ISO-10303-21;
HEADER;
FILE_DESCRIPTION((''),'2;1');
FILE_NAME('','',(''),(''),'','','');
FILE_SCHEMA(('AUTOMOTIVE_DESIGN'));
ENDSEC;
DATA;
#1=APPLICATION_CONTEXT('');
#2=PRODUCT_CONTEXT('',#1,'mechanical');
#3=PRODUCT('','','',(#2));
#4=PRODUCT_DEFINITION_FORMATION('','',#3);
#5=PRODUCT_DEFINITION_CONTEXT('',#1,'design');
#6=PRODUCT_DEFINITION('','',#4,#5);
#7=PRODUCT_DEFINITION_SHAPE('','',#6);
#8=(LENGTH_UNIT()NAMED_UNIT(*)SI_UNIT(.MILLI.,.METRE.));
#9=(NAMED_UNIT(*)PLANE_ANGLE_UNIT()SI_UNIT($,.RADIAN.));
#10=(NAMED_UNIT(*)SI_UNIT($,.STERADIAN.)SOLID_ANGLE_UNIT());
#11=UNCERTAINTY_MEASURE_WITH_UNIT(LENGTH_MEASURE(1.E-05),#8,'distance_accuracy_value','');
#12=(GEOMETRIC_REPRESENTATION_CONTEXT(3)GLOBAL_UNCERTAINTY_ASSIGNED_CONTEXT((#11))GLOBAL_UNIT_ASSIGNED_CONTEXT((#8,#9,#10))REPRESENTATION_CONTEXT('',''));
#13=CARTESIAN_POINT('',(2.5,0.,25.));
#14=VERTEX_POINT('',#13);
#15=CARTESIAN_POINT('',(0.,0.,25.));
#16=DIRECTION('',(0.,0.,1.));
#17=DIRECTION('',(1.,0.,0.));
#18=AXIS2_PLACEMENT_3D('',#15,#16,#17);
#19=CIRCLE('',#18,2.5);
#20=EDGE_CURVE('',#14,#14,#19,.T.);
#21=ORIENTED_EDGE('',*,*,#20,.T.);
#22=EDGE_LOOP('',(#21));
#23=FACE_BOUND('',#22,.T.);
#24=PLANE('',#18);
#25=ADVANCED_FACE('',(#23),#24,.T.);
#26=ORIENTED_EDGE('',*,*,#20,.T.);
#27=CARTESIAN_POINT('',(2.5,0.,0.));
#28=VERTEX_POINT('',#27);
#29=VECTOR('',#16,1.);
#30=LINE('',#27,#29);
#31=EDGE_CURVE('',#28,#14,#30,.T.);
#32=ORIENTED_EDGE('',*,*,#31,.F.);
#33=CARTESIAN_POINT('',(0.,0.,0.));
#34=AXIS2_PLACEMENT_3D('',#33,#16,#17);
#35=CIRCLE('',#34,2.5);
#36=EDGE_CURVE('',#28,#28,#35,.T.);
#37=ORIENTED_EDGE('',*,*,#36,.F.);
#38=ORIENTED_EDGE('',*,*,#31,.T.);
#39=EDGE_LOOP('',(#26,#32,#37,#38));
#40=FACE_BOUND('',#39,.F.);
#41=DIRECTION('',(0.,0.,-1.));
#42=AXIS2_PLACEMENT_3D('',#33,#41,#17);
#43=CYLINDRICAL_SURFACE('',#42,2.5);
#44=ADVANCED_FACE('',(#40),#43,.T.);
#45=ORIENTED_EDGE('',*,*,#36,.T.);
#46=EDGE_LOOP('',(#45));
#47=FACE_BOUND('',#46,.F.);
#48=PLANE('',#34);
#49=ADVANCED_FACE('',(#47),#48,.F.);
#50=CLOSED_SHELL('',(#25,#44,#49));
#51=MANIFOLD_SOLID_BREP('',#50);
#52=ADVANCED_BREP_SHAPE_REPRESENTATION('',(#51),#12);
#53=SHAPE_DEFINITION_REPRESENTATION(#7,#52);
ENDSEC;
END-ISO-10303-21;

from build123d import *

# Parameters (mm, degrees)
SKETCH_R  = 2.5
PAD_DEPTH = 25


with BuildPart() as part:
    # Sketch → Pad (new body)
    with BuildSketch(Plane.XY):
        Circle(SKETCH_R)
    extrude(amount=PAD_DEPTH)


solid = part.part
